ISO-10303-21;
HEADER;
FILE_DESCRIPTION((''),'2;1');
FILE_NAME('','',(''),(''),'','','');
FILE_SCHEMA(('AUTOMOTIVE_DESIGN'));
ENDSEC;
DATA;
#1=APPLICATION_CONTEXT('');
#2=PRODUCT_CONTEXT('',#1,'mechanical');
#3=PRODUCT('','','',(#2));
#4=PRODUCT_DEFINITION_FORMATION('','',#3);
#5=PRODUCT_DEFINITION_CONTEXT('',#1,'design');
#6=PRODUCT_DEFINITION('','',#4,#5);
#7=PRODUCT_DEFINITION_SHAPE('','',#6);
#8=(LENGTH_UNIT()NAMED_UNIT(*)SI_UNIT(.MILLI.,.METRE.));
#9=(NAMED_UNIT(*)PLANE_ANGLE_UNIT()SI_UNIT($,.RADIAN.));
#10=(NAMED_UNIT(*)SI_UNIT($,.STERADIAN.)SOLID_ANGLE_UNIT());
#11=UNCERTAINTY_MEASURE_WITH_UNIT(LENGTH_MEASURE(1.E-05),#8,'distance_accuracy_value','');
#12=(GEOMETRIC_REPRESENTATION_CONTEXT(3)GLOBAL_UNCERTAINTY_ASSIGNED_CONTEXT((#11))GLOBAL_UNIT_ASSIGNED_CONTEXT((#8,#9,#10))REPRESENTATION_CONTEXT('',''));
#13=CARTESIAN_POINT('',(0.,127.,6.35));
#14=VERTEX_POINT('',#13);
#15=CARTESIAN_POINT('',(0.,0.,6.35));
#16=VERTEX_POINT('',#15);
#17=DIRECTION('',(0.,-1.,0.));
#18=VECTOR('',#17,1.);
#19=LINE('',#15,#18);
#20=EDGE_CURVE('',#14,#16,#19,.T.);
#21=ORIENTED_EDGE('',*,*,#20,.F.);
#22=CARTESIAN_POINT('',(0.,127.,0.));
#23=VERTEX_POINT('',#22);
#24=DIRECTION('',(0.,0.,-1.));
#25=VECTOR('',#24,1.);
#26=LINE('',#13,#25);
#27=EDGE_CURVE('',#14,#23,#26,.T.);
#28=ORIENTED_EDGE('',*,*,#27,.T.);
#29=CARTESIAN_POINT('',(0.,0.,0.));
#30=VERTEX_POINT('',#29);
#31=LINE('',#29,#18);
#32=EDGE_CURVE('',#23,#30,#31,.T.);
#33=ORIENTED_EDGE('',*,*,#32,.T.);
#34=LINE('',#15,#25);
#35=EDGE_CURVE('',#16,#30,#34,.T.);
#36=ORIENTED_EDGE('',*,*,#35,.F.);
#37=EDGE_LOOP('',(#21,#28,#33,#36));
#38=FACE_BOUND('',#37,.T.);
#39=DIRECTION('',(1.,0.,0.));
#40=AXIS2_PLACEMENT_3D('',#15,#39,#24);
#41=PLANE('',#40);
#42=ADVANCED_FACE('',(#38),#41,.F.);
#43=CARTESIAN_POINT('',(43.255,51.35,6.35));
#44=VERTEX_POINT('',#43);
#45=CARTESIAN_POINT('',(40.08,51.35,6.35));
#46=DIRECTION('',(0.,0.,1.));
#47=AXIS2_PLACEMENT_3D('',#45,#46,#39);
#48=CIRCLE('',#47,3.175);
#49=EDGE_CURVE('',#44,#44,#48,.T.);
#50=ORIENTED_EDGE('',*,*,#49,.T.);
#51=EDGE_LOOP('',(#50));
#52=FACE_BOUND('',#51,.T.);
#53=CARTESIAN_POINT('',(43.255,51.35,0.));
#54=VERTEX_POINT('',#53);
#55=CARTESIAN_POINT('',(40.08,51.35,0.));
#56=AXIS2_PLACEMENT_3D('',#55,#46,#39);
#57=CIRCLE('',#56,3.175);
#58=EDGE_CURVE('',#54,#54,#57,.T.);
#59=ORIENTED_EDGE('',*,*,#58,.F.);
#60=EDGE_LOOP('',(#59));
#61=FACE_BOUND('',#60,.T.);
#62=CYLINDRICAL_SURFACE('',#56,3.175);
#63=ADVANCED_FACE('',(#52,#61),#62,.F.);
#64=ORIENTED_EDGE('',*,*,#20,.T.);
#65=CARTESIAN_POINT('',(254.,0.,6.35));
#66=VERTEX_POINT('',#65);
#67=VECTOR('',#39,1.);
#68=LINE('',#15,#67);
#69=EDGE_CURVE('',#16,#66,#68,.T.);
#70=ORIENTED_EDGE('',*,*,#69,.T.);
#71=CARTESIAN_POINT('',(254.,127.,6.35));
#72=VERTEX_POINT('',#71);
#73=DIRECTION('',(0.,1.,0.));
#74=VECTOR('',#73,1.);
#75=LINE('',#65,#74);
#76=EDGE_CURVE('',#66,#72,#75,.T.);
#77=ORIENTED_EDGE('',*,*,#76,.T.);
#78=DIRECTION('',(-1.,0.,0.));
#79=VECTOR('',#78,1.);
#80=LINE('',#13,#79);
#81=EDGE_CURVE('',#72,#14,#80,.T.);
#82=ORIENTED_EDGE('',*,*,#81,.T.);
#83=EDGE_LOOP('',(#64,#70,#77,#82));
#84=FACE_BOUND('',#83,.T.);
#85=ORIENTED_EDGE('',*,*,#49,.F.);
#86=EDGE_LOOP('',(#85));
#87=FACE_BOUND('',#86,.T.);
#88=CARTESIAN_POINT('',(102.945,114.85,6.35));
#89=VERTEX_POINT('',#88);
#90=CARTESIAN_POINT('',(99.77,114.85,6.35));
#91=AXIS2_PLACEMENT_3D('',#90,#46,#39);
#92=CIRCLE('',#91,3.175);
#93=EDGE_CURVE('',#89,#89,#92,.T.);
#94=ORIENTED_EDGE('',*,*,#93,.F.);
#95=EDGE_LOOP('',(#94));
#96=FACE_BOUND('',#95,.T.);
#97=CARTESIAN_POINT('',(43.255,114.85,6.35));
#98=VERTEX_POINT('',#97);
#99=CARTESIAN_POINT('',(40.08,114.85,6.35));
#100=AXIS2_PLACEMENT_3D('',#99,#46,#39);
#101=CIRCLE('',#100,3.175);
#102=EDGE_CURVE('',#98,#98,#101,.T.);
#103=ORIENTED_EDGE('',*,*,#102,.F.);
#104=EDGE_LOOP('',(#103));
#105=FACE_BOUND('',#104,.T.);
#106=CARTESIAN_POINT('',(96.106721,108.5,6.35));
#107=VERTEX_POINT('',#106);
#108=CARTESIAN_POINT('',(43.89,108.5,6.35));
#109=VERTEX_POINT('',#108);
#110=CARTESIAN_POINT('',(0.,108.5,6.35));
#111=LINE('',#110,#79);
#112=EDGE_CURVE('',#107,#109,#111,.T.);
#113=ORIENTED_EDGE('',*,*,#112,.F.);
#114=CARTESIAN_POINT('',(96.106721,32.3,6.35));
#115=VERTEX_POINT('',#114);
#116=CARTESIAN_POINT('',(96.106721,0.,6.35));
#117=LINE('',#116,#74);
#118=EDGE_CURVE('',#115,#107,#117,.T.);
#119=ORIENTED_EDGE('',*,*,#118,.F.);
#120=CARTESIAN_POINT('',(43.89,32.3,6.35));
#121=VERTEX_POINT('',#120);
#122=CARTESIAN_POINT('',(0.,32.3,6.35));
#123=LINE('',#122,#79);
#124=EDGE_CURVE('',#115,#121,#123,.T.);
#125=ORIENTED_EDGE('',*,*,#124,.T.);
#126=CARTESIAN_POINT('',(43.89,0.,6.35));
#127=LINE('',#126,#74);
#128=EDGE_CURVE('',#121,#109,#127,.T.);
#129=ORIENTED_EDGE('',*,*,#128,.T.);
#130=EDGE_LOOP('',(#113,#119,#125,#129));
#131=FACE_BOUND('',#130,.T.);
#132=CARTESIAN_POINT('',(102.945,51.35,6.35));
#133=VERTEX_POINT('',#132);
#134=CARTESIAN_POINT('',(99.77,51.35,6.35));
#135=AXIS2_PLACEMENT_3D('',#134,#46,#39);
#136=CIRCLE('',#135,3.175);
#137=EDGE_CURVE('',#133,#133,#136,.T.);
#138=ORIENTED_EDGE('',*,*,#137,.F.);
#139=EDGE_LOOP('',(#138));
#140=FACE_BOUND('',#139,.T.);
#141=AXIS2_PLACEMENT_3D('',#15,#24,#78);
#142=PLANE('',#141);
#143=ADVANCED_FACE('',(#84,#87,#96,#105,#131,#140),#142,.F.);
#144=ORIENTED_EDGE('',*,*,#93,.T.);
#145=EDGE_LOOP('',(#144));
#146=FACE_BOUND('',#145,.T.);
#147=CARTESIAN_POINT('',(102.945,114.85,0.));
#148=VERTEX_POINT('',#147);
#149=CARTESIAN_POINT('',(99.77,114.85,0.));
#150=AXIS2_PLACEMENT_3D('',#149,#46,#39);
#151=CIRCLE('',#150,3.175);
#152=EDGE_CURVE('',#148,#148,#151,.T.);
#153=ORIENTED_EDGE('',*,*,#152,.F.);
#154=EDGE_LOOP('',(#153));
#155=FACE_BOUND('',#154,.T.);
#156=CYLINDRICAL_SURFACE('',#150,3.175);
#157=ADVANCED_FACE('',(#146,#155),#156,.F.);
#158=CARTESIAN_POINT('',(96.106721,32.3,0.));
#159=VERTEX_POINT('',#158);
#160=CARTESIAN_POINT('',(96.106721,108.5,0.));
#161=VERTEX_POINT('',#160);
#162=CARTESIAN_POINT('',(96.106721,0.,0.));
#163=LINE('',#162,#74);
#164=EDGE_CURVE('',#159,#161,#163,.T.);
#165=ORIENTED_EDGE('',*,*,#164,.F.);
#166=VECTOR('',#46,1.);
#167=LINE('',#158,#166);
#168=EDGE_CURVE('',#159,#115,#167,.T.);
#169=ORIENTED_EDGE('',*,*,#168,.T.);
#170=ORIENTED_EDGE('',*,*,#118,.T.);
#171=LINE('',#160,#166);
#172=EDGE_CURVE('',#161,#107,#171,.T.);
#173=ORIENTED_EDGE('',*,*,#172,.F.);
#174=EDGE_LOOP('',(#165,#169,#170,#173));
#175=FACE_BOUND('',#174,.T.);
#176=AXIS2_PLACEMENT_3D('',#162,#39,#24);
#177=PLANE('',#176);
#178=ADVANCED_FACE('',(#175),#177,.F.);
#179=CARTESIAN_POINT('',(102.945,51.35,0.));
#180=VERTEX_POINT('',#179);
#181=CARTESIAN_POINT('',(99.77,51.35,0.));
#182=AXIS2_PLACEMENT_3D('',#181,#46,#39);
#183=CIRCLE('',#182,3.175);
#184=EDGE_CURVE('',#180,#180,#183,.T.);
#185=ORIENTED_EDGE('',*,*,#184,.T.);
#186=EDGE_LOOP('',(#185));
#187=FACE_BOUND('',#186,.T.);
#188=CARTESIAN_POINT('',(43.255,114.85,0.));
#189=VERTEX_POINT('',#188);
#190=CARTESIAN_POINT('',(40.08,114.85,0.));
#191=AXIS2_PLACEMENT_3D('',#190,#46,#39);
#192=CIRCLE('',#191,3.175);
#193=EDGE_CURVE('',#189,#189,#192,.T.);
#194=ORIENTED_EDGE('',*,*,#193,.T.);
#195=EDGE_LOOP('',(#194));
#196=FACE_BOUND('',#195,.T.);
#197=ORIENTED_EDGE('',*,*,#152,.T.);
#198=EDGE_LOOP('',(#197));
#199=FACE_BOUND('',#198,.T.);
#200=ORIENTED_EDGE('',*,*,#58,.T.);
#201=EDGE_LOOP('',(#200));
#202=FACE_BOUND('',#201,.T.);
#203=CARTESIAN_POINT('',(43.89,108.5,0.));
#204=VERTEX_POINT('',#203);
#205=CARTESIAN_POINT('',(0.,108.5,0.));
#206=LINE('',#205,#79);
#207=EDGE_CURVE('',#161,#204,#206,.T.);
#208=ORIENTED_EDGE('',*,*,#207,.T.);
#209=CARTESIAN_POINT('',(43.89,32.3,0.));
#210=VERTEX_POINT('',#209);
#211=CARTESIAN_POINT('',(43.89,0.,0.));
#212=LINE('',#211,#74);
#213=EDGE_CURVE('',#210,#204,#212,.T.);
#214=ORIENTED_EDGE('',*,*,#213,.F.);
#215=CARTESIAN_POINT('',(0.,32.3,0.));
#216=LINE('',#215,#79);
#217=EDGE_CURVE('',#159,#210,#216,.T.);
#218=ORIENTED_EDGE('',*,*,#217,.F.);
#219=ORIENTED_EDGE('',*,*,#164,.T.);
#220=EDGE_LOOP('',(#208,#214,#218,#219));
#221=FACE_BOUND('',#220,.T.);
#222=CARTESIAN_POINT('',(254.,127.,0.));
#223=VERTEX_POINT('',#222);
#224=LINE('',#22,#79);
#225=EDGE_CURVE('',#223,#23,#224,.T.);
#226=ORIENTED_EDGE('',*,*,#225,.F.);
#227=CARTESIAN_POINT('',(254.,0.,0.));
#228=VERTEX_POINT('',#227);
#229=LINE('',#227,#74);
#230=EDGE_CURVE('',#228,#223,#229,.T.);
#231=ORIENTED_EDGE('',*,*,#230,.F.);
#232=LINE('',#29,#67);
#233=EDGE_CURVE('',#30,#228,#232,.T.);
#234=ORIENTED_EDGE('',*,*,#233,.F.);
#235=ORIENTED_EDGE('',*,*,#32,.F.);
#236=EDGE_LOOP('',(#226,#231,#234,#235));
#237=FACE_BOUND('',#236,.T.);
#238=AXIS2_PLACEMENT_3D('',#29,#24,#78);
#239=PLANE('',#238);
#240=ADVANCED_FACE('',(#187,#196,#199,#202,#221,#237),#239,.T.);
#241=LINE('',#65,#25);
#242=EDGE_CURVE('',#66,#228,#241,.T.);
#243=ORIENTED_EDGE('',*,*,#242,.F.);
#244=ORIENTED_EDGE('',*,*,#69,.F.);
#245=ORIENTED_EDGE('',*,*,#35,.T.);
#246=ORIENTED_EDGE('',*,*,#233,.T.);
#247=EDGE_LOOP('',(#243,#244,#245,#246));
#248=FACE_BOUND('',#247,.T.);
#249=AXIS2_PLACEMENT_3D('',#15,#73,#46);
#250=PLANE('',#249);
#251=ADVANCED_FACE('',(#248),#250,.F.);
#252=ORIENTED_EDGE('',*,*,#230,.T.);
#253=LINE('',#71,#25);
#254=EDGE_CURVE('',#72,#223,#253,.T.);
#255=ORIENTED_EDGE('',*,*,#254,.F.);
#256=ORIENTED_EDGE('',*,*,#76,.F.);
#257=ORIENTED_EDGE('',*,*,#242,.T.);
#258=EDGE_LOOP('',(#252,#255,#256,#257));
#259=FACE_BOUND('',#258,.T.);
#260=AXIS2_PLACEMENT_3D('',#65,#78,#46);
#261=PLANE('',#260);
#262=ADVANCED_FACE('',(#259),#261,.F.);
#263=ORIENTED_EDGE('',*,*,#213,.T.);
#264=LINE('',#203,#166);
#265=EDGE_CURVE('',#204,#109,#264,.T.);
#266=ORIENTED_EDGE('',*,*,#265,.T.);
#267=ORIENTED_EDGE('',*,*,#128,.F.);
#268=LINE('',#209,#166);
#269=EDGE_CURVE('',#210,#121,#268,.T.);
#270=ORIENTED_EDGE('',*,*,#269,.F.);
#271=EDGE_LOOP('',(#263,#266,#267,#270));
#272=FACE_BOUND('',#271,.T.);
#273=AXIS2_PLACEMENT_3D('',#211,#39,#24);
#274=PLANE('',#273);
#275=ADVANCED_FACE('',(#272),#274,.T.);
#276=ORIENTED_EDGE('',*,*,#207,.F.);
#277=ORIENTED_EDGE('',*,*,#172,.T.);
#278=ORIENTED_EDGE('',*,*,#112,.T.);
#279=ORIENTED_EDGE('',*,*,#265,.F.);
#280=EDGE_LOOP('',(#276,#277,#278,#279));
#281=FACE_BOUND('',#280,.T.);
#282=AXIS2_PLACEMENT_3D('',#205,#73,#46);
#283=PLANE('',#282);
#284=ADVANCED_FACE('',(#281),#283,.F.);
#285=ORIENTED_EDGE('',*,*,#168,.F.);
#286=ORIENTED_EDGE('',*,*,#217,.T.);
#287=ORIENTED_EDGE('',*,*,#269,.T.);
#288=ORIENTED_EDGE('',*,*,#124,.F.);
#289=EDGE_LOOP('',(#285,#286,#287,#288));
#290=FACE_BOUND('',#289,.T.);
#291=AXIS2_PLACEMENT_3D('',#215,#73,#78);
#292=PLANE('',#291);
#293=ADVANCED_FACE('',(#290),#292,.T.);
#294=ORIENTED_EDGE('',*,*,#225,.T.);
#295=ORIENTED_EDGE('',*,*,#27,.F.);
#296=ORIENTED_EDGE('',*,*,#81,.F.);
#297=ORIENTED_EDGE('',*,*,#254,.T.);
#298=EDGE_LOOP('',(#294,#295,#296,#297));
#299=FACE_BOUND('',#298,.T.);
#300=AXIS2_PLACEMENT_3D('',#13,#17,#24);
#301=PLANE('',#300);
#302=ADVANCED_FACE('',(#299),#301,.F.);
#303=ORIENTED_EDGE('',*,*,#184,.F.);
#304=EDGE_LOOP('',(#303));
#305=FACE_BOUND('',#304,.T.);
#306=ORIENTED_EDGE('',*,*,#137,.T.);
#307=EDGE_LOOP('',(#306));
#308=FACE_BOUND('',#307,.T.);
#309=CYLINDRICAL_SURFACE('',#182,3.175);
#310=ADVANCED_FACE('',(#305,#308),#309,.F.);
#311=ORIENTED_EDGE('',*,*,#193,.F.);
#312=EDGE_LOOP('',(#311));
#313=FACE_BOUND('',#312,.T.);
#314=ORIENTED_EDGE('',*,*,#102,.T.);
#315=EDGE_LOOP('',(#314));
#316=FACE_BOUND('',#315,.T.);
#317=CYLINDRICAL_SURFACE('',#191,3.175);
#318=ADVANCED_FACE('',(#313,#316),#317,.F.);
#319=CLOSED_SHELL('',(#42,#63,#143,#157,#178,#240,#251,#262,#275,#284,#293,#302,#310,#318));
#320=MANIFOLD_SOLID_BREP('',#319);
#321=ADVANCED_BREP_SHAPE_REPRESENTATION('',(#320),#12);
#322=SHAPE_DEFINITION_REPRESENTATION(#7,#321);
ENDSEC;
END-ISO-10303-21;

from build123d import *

# Parameters (mm, degrees)
SKETCH1_W           = 254
SKETCH1_H           = 127
BOSS_EXTRUDE1_DEPTH = 6.35
SKETCH4_W           = 52.216720723
SKETCH4_H           = 76.2
SKETCH4_R           = 3.175
CUT_EXTRUDE3_DEPTH  = 285.051619429


with BuildPart() as part:
    # Sketch1 → Boss-Extrude1 (new body)
    with BuildSketch(Plane.XY):
        with Locations((127, 63.5)):
            Rectangle(SKETCH1_W, SKETCH1_H)
    extrude(amount=BOSS_EXTRUDE1_DEPTH)

    # Sketch4 → Cut-Extrude3 (cut, through all)
    with BuildSketch(Plane.XY.offset(6.35)):
        with Locations((69.998360362, 70.4)):
            Rectangle(SKETCH4_W, SKETCH4_H)
        with Locations((99.77, 114.85)):
            Circle(SKETCH4_R)
        with Locations((40.08, 51.35)):
            Circle(SKETCH4_R)
        with Locations((99.77, 51.35)):
            Circle(SKETCH4_R)
        with Locations((40.08, 114.85)):
            Circle(SKETCH4_R)
    extrude(amount=-CUT_EXTRUDE3_DEPTH, mode=Mode.SUBTRACT)


solid = part.part
